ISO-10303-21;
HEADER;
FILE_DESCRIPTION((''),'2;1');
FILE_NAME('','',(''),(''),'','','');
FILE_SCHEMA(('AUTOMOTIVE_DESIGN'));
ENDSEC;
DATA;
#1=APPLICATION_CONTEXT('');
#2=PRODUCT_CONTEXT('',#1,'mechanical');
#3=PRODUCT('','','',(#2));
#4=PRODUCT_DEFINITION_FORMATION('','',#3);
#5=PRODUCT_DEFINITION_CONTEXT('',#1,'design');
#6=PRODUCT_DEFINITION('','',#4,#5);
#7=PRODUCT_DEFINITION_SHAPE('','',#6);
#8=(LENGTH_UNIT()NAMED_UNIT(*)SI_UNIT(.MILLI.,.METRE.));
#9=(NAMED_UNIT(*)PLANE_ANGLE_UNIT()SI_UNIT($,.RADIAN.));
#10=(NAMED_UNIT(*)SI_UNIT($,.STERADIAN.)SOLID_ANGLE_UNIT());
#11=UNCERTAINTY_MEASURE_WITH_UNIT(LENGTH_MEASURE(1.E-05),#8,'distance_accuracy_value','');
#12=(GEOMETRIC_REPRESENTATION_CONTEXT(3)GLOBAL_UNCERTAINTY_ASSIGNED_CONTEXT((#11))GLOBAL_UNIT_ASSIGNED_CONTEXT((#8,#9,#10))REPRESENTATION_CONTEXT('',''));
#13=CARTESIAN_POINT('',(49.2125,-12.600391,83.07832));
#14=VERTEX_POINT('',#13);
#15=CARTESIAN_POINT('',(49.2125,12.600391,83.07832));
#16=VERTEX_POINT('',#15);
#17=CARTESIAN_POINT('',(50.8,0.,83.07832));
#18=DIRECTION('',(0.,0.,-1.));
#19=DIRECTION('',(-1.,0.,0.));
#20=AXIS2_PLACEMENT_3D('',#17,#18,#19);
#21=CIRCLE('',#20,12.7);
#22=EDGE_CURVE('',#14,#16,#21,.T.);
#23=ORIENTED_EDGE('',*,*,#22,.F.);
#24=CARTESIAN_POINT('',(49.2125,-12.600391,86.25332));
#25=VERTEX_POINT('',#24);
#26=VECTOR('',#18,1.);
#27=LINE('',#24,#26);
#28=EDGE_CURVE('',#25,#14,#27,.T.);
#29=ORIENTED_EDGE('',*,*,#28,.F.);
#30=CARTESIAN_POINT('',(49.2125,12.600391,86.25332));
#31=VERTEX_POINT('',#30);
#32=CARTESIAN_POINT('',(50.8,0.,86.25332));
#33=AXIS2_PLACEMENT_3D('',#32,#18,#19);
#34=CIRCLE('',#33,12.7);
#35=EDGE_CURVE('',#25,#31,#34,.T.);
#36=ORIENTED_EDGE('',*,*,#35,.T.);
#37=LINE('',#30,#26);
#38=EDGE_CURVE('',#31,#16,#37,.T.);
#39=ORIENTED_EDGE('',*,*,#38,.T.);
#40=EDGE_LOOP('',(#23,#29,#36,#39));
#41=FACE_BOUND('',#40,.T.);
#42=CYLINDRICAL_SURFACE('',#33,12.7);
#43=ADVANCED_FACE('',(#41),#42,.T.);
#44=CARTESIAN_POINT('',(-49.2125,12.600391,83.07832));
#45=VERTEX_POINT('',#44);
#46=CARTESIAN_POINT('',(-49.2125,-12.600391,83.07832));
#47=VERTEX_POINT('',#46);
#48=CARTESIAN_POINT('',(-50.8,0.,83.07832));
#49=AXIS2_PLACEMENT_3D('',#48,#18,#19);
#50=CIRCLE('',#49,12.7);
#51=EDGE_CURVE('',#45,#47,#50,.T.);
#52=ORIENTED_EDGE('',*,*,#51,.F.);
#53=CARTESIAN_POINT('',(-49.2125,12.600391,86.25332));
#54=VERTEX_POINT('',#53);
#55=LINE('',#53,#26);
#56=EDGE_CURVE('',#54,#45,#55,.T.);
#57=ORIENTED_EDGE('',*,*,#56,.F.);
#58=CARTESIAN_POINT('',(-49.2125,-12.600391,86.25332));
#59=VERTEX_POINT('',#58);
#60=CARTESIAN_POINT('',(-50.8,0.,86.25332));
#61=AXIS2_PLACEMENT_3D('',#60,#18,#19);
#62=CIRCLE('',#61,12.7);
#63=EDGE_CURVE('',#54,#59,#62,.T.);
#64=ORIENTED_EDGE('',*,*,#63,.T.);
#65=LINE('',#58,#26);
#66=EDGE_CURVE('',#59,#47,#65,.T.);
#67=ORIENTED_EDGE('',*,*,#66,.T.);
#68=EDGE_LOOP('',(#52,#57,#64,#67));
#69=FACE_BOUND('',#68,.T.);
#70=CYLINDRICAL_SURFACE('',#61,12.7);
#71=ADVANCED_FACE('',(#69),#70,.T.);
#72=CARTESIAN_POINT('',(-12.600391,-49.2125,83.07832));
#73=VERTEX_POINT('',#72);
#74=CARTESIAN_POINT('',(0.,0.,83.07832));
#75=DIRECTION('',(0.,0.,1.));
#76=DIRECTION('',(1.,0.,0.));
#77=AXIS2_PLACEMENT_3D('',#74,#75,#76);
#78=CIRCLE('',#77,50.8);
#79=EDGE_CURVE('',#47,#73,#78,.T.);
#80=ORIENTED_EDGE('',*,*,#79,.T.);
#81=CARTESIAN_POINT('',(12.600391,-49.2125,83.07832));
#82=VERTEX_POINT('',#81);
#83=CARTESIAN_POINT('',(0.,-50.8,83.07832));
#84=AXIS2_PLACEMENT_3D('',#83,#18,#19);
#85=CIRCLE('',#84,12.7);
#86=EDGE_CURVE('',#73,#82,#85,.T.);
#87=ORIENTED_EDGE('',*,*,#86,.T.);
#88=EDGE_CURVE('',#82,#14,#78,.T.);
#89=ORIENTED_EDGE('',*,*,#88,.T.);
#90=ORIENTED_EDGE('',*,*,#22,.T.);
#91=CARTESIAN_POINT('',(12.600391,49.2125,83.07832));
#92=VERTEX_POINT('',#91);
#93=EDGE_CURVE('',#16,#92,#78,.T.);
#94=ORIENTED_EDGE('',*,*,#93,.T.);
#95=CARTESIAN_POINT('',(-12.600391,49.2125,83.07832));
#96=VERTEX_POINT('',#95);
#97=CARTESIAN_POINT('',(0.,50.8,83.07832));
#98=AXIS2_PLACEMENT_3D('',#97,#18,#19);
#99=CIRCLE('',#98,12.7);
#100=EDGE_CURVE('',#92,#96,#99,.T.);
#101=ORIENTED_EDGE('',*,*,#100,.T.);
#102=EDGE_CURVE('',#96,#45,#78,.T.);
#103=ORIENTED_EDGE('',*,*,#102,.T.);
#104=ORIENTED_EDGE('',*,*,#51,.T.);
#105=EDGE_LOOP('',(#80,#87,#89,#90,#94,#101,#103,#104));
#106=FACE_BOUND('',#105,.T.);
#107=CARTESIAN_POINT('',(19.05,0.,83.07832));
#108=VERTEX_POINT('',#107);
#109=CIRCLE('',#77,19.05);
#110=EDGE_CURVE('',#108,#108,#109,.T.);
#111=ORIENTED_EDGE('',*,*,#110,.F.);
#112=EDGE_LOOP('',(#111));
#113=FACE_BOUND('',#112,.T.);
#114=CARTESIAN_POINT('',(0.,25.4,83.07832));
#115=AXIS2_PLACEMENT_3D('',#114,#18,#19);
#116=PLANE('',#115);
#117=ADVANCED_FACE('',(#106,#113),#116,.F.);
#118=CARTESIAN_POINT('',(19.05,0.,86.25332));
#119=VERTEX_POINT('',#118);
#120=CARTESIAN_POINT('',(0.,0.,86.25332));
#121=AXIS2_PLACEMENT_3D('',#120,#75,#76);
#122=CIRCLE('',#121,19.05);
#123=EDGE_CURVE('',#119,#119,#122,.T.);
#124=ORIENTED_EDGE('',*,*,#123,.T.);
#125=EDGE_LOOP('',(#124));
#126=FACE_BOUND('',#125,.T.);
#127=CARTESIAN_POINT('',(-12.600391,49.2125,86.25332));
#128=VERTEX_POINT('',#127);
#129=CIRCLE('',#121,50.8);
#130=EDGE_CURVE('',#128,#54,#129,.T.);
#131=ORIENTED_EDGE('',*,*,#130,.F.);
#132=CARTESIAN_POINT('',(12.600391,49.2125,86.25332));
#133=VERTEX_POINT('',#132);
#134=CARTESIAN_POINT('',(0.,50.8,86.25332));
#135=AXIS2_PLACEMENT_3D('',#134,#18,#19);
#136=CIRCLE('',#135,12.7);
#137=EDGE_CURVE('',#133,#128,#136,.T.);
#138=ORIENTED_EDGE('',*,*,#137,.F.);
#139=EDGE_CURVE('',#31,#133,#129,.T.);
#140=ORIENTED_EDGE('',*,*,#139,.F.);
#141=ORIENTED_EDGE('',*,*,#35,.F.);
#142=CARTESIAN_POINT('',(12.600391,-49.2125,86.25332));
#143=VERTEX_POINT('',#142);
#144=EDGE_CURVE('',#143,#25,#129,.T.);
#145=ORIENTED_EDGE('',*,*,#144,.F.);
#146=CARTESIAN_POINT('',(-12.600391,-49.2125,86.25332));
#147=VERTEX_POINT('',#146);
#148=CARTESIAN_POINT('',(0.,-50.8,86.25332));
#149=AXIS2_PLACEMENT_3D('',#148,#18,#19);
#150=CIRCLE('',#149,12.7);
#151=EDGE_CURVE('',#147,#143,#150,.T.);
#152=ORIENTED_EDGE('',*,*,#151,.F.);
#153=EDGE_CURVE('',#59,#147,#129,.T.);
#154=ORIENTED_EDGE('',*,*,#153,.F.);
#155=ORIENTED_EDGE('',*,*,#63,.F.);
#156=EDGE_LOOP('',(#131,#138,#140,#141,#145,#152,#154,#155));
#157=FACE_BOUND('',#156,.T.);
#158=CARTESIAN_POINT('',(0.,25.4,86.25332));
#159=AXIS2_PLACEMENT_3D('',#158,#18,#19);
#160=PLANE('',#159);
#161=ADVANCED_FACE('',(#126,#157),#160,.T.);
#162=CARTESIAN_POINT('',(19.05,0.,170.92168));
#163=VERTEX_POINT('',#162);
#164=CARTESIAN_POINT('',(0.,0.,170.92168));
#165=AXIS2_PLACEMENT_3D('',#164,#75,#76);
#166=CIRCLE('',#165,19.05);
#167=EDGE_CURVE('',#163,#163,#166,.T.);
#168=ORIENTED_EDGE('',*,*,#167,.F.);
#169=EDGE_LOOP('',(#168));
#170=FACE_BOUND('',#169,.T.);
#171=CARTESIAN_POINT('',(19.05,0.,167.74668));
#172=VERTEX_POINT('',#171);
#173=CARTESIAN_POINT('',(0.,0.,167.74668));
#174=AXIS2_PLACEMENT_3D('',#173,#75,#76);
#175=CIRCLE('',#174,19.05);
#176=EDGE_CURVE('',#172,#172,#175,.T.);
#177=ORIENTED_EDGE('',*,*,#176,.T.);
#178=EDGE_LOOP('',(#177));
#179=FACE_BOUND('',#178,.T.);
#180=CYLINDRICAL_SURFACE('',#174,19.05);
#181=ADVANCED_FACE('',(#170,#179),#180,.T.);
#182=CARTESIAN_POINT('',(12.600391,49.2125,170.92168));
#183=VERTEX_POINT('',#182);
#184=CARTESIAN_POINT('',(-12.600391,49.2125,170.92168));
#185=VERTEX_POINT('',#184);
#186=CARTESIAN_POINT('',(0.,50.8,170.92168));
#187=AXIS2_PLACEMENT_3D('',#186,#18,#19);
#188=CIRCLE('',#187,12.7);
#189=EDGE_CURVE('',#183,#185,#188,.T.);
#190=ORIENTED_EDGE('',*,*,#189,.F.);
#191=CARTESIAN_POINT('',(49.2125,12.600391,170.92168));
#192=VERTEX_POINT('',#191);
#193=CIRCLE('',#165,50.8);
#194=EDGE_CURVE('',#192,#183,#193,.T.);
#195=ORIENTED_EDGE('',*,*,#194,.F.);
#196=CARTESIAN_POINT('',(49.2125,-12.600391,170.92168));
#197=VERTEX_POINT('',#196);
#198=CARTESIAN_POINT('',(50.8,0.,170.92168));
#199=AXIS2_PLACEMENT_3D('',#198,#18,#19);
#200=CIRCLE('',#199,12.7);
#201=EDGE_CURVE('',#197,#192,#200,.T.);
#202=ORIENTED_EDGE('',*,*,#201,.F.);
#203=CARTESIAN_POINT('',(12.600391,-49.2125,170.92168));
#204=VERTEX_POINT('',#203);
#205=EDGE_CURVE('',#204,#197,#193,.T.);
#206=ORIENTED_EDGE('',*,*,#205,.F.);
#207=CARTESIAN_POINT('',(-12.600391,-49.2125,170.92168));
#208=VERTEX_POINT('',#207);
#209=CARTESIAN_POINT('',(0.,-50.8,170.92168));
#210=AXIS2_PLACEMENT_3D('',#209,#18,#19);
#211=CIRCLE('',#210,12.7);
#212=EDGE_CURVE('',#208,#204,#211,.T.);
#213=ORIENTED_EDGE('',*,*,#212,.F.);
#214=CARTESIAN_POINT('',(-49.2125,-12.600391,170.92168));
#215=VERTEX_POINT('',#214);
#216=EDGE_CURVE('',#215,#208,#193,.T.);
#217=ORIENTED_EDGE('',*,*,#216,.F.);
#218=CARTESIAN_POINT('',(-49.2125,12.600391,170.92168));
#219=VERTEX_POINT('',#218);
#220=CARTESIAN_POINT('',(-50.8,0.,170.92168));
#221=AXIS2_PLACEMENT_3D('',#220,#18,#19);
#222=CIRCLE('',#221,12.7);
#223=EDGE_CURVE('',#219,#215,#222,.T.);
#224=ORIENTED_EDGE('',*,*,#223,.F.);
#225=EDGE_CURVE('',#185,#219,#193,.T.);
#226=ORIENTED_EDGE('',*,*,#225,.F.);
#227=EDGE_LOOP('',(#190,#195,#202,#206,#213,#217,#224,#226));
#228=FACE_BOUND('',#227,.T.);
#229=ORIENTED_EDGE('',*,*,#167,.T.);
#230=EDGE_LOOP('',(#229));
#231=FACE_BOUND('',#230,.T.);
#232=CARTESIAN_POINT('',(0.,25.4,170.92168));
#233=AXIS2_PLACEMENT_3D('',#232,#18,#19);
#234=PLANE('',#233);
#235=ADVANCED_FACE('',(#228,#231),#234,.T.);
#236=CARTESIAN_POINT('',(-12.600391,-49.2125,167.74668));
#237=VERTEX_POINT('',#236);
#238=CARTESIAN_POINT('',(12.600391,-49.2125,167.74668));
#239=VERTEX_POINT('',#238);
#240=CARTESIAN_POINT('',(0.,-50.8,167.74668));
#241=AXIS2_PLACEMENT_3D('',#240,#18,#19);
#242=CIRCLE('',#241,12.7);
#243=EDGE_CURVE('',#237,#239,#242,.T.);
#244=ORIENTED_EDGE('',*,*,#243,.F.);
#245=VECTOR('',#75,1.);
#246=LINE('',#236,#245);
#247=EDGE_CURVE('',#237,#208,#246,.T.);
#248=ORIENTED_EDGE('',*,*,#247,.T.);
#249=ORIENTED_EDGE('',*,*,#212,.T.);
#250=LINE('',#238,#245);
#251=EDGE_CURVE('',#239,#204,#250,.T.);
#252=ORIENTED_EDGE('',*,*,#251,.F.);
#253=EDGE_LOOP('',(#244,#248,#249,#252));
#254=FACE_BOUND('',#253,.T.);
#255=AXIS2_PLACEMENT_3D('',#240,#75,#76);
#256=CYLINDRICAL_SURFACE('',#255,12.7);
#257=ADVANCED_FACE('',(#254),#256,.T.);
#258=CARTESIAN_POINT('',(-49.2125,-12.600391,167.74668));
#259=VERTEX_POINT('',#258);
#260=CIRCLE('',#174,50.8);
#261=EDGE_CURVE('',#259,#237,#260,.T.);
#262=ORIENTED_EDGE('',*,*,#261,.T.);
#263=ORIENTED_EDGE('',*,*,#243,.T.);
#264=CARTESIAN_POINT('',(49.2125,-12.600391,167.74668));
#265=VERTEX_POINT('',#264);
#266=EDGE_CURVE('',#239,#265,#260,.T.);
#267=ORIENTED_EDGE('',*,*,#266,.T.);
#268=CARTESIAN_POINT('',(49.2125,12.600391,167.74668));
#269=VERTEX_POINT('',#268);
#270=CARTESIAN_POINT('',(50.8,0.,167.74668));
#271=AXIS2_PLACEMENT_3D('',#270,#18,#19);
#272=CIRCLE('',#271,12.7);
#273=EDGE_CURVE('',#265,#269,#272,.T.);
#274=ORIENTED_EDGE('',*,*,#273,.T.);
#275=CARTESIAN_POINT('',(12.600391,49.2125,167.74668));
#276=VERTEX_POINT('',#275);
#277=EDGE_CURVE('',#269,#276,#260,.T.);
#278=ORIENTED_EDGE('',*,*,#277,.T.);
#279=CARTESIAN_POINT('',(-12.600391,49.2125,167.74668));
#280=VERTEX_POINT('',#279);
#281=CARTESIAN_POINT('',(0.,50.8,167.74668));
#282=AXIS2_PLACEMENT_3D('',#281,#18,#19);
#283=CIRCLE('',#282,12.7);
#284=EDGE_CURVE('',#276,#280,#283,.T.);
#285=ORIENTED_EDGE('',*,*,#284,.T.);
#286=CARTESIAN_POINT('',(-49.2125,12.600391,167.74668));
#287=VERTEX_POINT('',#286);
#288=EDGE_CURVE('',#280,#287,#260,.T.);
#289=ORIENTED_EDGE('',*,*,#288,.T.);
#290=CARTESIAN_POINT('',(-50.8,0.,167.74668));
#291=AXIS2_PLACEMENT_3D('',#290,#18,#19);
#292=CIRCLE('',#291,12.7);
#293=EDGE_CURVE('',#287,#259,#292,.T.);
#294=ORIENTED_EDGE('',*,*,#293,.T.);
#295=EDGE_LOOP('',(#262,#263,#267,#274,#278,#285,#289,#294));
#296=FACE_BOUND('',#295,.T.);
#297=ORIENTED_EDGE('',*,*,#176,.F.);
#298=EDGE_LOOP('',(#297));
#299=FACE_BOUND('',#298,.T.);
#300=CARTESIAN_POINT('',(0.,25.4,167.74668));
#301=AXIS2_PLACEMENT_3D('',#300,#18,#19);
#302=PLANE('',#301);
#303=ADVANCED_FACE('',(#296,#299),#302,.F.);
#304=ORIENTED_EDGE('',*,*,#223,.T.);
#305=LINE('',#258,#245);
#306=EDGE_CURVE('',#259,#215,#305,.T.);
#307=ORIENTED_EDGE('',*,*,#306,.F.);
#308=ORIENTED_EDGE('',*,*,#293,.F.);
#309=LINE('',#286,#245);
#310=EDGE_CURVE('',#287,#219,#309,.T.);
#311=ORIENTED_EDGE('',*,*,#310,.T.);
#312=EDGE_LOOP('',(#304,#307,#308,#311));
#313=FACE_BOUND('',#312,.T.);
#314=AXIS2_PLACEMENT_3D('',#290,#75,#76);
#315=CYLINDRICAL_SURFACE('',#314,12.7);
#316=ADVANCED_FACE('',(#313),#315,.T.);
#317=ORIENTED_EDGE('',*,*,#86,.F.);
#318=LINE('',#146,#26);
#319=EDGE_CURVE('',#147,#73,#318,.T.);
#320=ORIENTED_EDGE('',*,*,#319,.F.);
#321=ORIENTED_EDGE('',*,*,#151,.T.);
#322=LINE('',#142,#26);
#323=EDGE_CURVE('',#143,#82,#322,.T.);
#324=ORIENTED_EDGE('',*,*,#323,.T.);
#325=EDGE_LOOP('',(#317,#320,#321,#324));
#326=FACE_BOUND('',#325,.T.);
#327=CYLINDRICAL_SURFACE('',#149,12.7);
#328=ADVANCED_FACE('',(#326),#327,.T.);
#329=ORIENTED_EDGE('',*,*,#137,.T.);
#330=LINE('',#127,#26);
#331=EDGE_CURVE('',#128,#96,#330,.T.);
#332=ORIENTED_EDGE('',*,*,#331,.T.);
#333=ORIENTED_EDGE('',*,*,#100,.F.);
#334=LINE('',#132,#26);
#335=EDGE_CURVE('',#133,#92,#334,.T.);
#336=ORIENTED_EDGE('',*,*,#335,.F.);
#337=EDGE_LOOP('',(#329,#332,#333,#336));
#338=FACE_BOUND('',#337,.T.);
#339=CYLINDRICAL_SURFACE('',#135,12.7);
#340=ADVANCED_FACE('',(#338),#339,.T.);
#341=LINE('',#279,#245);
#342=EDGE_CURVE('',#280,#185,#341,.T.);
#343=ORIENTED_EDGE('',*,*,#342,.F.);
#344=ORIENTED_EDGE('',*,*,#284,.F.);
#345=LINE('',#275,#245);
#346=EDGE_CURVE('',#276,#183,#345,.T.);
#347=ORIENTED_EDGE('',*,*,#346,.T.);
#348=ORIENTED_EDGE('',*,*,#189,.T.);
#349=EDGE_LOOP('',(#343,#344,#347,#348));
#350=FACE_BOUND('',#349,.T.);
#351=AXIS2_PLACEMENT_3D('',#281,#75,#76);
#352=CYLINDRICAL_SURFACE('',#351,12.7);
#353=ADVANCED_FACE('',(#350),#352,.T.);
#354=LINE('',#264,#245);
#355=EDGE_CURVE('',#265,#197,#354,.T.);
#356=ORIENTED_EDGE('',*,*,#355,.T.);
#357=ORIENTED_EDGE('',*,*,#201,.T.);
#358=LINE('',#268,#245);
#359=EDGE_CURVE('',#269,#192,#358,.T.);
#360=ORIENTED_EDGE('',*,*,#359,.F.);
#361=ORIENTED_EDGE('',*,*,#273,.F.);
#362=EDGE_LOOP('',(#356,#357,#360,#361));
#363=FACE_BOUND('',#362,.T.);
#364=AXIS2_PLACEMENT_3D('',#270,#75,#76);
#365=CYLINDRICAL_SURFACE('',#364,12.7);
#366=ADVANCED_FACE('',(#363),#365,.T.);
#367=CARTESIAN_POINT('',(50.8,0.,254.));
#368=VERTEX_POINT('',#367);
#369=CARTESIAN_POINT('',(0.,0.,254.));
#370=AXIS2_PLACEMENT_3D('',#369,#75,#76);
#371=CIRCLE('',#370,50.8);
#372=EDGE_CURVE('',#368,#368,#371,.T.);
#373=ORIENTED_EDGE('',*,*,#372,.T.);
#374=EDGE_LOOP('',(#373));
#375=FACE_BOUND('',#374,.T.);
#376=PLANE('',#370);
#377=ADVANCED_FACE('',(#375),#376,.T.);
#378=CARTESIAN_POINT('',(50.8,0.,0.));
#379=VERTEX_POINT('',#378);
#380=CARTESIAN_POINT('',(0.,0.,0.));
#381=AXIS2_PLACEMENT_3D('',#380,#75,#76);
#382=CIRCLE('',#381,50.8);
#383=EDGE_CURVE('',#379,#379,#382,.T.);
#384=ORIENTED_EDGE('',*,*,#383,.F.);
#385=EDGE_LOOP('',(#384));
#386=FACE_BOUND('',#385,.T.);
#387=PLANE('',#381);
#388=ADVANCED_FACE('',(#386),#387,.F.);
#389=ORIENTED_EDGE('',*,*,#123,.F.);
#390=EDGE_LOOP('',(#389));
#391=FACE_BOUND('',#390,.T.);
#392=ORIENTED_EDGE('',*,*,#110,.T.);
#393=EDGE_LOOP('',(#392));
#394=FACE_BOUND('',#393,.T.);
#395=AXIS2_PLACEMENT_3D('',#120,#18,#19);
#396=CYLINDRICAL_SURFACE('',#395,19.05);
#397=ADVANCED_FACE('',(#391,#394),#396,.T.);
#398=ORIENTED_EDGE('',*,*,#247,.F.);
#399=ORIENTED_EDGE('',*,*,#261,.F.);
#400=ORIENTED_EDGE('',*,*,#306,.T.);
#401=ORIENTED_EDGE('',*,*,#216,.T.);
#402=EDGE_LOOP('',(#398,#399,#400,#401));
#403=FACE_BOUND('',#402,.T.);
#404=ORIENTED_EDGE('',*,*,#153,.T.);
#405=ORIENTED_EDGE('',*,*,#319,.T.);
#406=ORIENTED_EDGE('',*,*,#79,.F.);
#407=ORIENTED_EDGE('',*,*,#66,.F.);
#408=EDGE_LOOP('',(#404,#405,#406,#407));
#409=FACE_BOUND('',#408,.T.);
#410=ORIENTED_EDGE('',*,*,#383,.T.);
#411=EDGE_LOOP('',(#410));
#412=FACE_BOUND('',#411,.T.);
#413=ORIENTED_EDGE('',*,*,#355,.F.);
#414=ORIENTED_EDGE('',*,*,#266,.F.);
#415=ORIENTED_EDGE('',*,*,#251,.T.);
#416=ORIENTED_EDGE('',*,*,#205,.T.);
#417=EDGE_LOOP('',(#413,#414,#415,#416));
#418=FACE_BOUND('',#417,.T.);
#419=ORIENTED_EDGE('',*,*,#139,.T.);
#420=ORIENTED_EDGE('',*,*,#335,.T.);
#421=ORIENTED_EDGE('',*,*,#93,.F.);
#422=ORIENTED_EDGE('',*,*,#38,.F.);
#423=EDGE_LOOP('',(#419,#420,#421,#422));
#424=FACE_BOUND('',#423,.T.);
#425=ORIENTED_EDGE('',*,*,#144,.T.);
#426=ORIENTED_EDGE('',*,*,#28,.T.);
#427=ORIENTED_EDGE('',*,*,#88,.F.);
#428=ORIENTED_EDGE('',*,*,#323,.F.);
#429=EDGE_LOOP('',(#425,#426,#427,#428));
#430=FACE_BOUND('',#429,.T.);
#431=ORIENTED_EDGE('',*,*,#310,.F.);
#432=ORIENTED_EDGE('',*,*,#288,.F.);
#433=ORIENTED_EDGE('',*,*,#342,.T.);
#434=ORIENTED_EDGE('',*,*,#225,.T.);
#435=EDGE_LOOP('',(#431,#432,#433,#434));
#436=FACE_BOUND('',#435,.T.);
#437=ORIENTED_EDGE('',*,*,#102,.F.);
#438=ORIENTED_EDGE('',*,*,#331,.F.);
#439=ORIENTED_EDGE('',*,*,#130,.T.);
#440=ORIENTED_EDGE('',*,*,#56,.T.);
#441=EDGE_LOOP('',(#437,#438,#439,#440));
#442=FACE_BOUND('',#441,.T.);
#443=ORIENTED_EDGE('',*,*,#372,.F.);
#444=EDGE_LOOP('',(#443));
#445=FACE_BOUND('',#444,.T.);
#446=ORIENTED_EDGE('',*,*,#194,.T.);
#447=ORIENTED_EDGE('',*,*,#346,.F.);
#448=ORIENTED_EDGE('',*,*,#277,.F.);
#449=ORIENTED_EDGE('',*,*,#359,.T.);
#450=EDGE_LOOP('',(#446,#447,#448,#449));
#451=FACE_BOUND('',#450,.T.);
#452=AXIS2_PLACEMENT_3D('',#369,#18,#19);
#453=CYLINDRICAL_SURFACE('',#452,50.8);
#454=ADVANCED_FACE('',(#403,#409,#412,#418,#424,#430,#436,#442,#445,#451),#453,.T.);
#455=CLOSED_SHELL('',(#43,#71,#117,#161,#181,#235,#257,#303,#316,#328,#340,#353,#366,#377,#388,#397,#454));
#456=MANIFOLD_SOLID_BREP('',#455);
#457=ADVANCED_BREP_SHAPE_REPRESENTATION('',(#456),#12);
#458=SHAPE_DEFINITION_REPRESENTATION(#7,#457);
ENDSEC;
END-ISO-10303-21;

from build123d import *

# Parameters (mm, degrees)
SKETCH1_R           = 50.8
BOSS_EXTRUDE1_DEPTH = 254
CUT_EXTRUDE1_START  = -86.25332
SKETCH2_R           = 19.05
CUT_EXTRUDE1_DEPTH  = 3.175
CUT_EXTRUDE2_START  = 83.07832
SKETCH4_R           = 19.05
CUT_EXTRUDE2_DEPTH  = 3.175


with BuildPart() as part:
    # Sketch1 → Boss-Extrude1 (new body)
    with BuildSketch(Plane.XY):
        Circle(SKETCH1_R)
    extrude(amount=BOSS_EXTRUDE1_DEPTH)

    # Sketch2 → Cut-Extrude1 (cut)
    with BuildSketch(Plane.XY.offset(254).offset(CUT_EXTRUDE1_START)):
        with BuildLine():
            ThreePointArc((-12.600390619, 49.2125), (-35.921024484, 35.921024484), (-49.2125, 12.600390619))
            ThreePointArc((-49.2125, 12.600390619), (-38.1, 0), (-49.2125, -12.600390619))
            ThreePointArc((-49.2125, -12.600390619), (-35.921024484, -35.921024484), (-12.600390619, -49.2125))
            ThreePointArc((-12.600390619, -49.2125), (0, -38.1), (12.600390619, -49.2125))
            ThreePointArc((12.600390619, -49.2125), (35.921024484, -35.921024484), (49.2125, -12.600390619))
            ThreePointArc((49.2125, -12.600390619), (38.1, 0), (49.2125, 12.600390619))
            ThreePointArc((49.2125, 12.600390619), (35.921024484, 35.921024484), (12.600390619, 49.2125))
            ThreePointArc((12.600390619, 49.2125), (0, 38.1), (-12.600390619, 49.2125))
        make_face()
        Circle(SKETCH2_R, mode=Mode.SUBTRACT)
    extrude(amount=CUT_EXTRUDE1_DEPTH, mode=Mode.SUBTRACT)

    # Sketch4 → Cut-Extrude2 (cut)
    with BuildSketch(Plane.XY.offset(CUT_EXTRUDE2_START)):
        with BuildLine():
            ThreePointArc((-12.600390619, 49.2125), (-35.921024484, 35.921024484), (-49.2125, 12.600390619))
            ThreePointArc((-49.2125, 12.600390619), (-38.1, 0), (-49.2125, -12.600390619))
            ThreePointArc((-49.2125, -12.600390619), (-35.921024484, -35.921024484), (-12.600390619, -49.2125))
            ThreePointArc((-12.600390619, -49.2125), (0, -38.1), (12.600390619, -49.2125))
            ThreePointArc((12.600390619, -49.2125), (35.921024484, -35.921024484), (49.2125, -12.600390619))
            ThreePointArc((49.2125, -12.600390619), (38.1, 0), (49.2125, 12.600390619))
            ThreePointArc((49.2125, 12.600390619), (35.921024484, 35.921024484), (12.600390619, 49.2125))
            ThreePointArc((12.600390619, 49.2125), (0, 38.1), (-12.600390619, 49.2125))
        make_face()
        Circle(SKETCH4_R, mode=Mode.SUBTRACT)
    extrude(amount=CUT_EXTRUDE2_DEPTH, mode=Mode.SUBTRACT)


solid = part.part
